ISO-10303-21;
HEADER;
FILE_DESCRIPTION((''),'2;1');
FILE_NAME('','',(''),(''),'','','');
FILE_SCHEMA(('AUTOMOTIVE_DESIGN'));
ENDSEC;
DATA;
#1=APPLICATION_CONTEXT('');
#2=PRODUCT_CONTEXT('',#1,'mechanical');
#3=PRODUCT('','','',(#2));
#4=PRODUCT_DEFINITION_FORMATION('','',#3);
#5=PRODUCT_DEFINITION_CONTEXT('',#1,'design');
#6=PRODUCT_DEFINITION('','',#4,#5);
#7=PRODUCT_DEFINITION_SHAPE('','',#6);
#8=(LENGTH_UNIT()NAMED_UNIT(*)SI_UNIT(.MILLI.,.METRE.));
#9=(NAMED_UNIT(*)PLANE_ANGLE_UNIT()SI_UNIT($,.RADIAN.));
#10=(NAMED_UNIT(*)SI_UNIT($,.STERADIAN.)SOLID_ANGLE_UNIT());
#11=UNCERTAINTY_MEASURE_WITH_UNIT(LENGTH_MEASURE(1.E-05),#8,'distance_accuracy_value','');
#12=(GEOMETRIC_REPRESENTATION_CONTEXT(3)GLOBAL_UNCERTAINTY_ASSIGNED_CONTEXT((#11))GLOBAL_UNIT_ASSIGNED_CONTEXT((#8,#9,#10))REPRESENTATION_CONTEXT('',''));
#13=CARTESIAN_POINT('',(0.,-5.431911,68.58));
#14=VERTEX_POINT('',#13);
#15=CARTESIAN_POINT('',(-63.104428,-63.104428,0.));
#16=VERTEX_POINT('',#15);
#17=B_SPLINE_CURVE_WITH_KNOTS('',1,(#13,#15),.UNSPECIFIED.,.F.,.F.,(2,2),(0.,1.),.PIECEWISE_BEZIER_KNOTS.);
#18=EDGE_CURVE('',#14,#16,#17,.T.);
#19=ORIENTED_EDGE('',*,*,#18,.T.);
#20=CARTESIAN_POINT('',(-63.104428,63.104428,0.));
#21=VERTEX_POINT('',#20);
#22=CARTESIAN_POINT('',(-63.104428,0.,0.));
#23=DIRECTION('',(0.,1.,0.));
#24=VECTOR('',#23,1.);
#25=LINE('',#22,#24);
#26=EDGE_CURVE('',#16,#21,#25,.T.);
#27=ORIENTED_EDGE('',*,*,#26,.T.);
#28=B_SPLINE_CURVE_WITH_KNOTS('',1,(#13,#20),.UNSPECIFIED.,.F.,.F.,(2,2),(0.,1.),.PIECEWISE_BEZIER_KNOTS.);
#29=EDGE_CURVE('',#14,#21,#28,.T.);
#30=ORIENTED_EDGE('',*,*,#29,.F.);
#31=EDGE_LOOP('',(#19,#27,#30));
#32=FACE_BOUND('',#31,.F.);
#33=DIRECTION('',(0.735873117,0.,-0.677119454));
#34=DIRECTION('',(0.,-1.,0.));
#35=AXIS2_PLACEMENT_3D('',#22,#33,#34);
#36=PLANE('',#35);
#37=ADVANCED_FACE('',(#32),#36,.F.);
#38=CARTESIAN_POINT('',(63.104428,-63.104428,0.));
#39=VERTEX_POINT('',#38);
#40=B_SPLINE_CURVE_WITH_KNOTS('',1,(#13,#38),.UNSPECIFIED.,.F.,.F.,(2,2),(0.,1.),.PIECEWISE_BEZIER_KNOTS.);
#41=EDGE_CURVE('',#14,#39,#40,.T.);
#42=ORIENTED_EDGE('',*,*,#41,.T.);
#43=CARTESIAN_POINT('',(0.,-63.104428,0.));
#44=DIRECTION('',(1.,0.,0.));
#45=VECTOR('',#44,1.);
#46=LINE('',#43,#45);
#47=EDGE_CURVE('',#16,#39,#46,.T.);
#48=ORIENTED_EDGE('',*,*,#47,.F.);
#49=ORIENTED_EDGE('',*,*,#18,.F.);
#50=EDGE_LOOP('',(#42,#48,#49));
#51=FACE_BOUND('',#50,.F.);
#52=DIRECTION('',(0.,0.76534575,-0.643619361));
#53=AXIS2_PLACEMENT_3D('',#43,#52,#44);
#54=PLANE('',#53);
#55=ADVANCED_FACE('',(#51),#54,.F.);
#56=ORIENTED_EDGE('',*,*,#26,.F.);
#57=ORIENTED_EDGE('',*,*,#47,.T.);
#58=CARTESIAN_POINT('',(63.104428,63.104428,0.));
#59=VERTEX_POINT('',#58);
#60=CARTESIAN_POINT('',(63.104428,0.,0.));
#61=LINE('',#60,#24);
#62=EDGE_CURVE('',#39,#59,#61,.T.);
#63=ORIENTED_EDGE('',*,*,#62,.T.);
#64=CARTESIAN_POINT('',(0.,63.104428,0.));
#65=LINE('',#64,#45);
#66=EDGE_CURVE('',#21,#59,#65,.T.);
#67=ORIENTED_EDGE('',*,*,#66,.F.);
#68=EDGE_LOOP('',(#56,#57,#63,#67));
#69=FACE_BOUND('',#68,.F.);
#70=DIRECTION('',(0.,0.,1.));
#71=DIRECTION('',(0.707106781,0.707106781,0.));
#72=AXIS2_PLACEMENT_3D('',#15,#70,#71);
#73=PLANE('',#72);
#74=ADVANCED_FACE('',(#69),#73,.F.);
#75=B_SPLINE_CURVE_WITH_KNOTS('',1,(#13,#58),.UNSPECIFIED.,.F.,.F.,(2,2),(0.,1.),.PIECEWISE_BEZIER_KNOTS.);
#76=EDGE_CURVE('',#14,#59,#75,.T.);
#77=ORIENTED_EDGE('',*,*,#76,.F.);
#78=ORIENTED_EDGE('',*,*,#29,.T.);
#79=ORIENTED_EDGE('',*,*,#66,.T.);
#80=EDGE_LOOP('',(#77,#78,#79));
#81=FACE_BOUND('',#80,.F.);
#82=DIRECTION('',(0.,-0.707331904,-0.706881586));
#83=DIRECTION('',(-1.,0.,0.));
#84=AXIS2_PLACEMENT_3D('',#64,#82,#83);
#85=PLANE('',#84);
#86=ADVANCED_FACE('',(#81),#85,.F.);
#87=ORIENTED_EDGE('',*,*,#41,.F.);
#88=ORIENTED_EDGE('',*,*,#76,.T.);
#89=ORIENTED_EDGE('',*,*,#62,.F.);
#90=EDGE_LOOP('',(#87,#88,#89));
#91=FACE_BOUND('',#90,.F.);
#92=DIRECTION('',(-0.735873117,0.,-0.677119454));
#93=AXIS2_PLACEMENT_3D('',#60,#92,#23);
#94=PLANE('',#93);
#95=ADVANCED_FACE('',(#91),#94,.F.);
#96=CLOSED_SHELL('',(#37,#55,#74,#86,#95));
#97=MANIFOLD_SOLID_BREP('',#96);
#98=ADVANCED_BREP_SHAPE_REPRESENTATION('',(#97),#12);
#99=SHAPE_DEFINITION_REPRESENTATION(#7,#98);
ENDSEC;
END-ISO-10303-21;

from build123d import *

# Parameters (mm, degrees)
F0_W = 126.208856
F0_H = 126.208856


with BuildPart() as f3:
    # F0 (on Top) → F3 section 0
    with BuildSketch(Plane.XY, mode=Mode.PRIVATE) as f3_s0:
        Rectangle(F0_W, F0_H)
    loft([Vertex(0, -5.431911, 68.58), f3_s0.sketch])


solid = f3.part
